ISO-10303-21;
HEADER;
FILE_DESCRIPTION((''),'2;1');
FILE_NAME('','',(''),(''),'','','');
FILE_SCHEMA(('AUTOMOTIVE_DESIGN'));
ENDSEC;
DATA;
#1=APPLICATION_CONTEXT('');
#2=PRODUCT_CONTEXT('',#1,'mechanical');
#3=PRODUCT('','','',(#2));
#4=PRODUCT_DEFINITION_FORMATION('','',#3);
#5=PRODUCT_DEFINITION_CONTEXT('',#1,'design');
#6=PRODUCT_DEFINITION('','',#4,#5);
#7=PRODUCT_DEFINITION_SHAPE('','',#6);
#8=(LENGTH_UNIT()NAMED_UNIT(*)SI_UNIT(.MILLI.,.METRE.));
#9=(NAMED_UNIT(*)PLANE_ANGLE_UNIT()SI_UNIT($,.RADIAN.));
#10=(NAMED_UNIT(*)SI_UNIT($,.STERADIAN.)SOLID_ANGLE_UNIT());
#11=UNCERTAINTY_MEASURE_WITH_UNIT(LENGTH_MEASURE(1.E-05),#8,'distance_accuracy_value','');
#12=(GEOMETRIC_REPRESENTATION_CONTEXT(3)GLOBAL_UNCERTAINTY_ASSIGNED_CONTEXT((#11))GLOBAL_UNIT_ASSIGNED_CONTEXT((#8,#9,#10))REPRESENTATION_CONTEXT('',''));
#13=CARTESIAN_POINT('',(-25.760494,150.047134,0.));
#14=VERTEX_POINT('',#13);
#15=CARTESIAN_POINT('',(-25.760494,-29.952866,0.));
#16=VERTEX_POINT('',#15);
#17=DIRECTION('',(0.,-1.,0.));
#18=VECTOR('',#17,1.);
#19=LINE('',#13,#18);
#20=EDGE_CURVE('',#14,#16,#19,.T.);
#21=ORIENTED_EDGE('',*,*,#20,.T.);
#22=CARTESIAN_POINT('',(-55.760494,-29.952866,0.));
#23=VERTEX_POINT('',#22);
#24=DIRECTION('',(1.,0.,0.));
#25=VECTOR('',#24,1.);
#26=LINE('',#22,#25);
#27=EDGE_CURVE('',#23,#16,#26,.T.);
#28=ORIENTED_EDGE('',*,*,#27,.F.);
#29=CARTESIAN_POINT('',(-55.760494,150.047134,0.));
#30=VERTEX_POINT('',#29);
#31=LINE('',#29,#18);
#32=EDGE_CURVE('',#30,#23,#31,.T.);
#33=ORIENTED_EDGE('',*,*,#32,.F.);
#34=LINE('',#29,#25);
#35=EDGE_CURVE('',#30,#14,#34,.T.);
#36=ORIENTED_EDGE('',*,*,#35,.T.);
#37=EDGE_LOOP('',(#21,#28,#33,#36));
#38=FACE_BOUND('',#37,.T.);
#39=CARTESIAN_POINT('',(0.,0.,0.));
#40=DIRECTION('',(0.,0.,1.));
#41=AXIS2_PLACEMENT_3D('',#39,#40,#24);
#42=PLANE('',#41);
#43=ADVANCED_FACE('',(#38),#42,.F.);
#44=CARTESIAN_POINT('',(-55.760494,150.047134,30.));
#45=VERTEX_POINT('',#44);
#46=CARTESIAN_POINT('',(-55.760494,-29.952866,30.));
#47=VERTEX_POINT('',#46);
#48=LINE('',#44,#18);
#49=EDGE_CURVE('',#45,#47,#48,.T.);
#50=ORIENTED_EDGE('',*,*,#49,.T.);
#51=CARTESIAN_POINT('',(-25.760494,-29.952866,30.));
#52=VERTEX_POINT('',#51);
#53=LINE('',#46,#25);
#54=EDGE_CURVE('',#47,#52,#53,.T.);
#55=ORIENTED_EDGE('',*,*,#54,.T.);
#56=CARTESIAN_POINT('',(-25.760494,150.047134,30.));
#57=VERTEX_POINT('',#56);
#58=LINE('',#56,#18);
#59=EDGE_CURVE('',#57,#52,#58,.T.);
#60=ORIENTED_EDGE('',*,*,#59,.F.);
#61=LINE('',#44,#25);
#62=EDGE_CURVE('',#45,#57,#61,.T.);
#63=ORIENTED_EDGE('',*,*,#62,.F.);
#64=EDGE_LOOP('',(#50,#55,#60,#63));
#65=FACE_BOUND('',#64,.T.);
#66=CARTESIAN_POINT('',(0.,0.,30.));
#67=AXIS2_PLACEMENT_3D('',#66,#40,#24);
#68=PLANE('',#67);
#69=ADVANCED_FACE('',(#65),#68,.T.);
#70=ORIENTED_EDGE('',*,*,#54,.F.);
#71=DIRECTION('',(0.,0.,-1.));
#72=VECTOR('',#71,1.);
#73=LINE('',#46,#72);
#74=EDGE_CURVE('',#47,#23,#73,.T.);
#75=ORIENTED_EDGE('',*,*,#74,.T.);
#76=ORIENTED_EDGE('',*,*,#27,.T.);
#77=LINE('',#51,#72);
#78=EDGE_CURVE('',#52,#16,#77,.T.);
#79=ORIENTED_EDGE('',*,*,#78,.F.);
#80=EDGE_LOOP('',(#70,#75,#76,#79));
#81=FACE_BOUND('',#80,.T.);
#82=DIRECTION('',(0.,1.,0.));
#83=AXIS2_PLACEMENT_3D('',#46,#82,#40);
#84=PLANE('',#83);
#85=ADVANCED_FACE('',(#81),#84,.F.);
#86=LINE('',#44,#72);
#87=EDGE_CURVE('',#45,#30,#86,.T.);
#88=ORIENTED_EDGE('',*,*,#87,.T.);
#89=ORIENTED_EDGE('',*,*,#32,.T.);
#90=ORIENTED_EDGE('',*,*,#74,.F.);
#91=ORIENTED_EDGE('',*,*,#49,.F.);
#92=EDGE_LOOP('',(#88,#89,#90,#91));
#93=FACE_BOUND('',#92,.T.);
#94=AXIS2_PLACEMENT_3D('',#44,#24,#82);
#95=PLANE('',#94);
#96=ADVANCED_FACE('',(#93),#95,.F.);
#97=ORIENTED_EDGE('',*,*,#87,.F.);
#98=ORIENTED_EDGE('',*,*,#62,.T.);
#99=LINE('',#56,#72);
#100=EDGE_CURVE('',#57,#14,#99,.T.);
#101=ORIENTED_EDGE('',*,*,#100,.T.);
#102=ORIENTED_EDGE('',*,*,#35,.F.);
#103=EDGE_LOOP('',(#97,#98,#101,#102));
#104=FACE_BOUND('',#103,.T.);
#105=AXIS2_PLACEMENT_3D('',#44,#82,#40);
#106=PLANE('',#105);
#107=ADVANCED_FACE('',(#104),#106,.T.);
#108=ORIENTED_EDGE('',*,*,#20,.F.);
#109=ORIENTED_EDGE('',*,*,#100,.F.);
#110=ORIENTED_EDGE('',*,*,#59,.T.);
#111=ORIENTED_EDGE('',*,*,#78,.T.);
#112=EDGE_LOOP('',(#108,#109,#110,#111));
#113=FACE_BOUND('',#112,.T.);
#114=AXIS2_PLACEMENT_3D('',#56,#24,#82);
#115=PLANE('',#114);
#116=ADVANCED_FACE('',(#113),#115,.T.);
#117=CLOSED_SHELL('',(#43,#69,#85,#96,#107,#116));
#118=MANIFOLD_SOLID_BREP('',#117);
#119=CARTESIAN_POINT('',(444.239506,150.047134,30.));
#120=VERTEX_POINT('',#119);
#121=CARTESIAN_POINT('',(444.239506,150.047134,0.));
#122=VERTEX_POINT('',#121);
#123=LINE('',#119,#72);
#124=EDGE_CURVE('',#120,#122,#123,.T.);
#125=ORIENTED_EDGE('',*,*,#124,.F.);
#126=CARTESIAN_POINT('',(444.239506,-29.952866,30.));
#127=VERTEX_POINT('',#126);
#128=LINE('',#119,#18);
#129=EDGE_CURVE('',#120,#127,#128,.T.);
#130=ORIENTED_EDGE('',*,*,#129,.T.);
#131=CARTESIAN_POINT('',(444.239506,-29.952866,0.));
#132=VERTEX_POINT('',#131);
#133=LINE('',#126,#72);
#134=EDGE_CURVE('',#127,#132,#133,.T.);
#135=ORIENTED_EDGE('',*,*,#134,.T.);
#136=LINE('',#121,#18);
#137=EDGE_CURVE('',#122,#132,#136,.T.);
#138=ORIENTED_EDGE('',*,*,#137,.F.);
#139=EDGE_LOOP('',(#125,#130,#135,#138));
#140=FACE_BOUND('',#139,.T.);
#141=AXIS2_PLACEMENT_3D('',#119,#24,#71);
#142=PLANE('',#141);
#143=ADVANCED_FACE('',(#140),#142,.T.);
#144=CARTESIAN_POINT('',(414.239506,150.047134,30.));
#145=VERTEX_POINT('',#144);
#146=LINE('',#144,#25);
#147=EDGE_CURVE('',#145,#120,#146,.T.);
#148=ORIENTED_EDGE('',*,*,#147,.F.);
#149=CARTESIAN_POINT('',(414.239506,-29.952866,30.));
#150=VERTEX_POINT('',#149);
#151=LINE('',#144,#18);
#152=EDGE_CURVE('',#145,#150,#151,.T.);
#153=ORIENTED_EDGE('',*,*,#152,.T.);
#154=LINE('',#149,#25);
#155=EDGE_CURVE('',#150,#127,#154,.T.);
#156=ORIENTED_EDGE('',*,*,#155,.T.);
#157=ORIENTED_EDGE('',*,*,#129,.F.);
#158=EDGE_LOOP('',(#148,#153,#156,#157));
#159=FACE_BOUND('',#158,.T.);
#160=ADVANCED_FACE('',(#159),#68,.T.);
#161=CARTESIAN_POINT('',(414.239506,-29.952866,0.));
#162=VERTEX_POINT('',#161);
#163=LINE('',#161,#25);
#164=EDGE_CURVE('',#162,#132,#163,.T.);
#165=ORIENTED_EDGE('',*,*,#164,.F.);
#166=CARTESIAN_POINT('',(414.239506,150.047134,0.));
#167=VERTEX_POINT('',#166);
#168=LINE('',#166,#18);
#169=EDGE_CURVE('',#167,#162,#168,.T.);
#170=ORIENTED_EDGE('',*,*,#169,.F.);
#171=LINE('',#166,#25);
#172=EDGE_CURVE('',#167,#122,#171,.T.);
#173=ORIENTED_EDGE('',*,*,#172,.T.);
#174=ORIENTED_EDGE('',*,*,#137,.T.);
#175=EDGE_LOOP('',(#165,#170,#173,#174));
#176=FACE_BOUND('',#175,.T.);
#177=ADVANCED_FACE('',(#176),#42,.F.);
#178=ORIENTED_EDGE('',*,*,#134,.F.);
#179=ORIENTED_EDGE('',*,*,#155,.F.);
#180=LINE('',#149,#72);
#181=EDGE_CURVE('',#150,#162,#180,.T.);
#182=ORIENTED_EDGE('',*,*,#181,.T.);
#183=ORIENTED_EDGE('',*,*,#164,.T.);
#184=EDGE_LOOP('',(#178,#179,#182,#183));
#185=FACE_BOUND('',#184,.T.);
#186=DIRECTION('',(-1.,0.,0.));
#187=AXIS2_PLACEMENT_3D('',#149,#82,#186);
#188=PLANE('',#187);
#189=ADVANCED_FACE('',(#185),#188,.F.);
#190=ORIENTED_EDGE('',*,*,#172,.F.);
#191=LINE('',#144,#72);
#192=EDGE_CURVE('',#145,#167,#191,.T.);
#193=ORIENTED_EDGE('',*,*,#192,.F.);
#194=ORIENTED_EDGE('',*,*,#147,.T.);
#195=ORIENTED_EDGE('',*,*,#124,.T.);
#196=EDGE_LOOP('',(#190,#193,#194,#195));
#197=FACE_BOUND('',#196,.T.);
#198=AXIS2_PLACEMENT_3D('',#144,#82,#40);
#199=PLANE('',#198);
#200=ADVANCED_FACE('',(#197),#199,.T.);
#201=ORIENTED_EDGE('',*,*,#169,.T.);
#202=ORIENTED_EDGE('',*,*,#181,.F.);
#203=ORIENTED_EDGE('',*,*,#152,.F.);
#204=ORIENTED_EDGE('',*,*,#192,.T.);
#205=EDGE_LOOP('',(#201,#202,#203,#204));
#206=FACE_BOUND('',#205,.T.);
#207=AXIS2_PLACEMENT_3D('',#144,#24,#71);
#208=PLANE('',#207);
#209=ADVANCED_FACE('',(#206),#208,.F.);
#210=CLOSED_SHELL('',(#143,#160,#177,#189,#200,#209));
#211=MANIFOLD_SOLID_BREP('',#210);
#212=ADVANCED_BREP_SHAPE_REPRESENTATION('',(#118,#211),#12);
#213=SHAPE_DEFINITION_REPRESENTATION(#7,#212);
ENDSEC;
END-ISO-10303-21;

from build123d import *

# Parameters (mm, degrees)
SKETCH_1_W        = 30
SKETCH_1_H        = 180
EXTRUDE_1_DEPTH   = 30
EXTRUDE_1_2_DEPTH = 30


with BuildPart() as part:
    # 草图1 → 凸台-拉伸1 (new body)
    with BuildSketch(Plane.XY):
        with Locations((-40.76049373, 60.047133691)):
            Rectangle(SKETCH_1_W, SKETCH_1_H)
    extrude(amount=EXTRUDE_1_DEPTH)


with BuildPart() as body_2:
    # 草图1 → Extrude 1 2 (new body)
    with BuildSketch(Plane.XY):
        with Locations((429.23950627, 60.047133691)):
            Rectangle(SKETCH_1_W, SKETCH_1_H)
    extrude(amount=EXTRUDE_1_2_DEPTH)


solid = Compound([part.part, body_2.part])
